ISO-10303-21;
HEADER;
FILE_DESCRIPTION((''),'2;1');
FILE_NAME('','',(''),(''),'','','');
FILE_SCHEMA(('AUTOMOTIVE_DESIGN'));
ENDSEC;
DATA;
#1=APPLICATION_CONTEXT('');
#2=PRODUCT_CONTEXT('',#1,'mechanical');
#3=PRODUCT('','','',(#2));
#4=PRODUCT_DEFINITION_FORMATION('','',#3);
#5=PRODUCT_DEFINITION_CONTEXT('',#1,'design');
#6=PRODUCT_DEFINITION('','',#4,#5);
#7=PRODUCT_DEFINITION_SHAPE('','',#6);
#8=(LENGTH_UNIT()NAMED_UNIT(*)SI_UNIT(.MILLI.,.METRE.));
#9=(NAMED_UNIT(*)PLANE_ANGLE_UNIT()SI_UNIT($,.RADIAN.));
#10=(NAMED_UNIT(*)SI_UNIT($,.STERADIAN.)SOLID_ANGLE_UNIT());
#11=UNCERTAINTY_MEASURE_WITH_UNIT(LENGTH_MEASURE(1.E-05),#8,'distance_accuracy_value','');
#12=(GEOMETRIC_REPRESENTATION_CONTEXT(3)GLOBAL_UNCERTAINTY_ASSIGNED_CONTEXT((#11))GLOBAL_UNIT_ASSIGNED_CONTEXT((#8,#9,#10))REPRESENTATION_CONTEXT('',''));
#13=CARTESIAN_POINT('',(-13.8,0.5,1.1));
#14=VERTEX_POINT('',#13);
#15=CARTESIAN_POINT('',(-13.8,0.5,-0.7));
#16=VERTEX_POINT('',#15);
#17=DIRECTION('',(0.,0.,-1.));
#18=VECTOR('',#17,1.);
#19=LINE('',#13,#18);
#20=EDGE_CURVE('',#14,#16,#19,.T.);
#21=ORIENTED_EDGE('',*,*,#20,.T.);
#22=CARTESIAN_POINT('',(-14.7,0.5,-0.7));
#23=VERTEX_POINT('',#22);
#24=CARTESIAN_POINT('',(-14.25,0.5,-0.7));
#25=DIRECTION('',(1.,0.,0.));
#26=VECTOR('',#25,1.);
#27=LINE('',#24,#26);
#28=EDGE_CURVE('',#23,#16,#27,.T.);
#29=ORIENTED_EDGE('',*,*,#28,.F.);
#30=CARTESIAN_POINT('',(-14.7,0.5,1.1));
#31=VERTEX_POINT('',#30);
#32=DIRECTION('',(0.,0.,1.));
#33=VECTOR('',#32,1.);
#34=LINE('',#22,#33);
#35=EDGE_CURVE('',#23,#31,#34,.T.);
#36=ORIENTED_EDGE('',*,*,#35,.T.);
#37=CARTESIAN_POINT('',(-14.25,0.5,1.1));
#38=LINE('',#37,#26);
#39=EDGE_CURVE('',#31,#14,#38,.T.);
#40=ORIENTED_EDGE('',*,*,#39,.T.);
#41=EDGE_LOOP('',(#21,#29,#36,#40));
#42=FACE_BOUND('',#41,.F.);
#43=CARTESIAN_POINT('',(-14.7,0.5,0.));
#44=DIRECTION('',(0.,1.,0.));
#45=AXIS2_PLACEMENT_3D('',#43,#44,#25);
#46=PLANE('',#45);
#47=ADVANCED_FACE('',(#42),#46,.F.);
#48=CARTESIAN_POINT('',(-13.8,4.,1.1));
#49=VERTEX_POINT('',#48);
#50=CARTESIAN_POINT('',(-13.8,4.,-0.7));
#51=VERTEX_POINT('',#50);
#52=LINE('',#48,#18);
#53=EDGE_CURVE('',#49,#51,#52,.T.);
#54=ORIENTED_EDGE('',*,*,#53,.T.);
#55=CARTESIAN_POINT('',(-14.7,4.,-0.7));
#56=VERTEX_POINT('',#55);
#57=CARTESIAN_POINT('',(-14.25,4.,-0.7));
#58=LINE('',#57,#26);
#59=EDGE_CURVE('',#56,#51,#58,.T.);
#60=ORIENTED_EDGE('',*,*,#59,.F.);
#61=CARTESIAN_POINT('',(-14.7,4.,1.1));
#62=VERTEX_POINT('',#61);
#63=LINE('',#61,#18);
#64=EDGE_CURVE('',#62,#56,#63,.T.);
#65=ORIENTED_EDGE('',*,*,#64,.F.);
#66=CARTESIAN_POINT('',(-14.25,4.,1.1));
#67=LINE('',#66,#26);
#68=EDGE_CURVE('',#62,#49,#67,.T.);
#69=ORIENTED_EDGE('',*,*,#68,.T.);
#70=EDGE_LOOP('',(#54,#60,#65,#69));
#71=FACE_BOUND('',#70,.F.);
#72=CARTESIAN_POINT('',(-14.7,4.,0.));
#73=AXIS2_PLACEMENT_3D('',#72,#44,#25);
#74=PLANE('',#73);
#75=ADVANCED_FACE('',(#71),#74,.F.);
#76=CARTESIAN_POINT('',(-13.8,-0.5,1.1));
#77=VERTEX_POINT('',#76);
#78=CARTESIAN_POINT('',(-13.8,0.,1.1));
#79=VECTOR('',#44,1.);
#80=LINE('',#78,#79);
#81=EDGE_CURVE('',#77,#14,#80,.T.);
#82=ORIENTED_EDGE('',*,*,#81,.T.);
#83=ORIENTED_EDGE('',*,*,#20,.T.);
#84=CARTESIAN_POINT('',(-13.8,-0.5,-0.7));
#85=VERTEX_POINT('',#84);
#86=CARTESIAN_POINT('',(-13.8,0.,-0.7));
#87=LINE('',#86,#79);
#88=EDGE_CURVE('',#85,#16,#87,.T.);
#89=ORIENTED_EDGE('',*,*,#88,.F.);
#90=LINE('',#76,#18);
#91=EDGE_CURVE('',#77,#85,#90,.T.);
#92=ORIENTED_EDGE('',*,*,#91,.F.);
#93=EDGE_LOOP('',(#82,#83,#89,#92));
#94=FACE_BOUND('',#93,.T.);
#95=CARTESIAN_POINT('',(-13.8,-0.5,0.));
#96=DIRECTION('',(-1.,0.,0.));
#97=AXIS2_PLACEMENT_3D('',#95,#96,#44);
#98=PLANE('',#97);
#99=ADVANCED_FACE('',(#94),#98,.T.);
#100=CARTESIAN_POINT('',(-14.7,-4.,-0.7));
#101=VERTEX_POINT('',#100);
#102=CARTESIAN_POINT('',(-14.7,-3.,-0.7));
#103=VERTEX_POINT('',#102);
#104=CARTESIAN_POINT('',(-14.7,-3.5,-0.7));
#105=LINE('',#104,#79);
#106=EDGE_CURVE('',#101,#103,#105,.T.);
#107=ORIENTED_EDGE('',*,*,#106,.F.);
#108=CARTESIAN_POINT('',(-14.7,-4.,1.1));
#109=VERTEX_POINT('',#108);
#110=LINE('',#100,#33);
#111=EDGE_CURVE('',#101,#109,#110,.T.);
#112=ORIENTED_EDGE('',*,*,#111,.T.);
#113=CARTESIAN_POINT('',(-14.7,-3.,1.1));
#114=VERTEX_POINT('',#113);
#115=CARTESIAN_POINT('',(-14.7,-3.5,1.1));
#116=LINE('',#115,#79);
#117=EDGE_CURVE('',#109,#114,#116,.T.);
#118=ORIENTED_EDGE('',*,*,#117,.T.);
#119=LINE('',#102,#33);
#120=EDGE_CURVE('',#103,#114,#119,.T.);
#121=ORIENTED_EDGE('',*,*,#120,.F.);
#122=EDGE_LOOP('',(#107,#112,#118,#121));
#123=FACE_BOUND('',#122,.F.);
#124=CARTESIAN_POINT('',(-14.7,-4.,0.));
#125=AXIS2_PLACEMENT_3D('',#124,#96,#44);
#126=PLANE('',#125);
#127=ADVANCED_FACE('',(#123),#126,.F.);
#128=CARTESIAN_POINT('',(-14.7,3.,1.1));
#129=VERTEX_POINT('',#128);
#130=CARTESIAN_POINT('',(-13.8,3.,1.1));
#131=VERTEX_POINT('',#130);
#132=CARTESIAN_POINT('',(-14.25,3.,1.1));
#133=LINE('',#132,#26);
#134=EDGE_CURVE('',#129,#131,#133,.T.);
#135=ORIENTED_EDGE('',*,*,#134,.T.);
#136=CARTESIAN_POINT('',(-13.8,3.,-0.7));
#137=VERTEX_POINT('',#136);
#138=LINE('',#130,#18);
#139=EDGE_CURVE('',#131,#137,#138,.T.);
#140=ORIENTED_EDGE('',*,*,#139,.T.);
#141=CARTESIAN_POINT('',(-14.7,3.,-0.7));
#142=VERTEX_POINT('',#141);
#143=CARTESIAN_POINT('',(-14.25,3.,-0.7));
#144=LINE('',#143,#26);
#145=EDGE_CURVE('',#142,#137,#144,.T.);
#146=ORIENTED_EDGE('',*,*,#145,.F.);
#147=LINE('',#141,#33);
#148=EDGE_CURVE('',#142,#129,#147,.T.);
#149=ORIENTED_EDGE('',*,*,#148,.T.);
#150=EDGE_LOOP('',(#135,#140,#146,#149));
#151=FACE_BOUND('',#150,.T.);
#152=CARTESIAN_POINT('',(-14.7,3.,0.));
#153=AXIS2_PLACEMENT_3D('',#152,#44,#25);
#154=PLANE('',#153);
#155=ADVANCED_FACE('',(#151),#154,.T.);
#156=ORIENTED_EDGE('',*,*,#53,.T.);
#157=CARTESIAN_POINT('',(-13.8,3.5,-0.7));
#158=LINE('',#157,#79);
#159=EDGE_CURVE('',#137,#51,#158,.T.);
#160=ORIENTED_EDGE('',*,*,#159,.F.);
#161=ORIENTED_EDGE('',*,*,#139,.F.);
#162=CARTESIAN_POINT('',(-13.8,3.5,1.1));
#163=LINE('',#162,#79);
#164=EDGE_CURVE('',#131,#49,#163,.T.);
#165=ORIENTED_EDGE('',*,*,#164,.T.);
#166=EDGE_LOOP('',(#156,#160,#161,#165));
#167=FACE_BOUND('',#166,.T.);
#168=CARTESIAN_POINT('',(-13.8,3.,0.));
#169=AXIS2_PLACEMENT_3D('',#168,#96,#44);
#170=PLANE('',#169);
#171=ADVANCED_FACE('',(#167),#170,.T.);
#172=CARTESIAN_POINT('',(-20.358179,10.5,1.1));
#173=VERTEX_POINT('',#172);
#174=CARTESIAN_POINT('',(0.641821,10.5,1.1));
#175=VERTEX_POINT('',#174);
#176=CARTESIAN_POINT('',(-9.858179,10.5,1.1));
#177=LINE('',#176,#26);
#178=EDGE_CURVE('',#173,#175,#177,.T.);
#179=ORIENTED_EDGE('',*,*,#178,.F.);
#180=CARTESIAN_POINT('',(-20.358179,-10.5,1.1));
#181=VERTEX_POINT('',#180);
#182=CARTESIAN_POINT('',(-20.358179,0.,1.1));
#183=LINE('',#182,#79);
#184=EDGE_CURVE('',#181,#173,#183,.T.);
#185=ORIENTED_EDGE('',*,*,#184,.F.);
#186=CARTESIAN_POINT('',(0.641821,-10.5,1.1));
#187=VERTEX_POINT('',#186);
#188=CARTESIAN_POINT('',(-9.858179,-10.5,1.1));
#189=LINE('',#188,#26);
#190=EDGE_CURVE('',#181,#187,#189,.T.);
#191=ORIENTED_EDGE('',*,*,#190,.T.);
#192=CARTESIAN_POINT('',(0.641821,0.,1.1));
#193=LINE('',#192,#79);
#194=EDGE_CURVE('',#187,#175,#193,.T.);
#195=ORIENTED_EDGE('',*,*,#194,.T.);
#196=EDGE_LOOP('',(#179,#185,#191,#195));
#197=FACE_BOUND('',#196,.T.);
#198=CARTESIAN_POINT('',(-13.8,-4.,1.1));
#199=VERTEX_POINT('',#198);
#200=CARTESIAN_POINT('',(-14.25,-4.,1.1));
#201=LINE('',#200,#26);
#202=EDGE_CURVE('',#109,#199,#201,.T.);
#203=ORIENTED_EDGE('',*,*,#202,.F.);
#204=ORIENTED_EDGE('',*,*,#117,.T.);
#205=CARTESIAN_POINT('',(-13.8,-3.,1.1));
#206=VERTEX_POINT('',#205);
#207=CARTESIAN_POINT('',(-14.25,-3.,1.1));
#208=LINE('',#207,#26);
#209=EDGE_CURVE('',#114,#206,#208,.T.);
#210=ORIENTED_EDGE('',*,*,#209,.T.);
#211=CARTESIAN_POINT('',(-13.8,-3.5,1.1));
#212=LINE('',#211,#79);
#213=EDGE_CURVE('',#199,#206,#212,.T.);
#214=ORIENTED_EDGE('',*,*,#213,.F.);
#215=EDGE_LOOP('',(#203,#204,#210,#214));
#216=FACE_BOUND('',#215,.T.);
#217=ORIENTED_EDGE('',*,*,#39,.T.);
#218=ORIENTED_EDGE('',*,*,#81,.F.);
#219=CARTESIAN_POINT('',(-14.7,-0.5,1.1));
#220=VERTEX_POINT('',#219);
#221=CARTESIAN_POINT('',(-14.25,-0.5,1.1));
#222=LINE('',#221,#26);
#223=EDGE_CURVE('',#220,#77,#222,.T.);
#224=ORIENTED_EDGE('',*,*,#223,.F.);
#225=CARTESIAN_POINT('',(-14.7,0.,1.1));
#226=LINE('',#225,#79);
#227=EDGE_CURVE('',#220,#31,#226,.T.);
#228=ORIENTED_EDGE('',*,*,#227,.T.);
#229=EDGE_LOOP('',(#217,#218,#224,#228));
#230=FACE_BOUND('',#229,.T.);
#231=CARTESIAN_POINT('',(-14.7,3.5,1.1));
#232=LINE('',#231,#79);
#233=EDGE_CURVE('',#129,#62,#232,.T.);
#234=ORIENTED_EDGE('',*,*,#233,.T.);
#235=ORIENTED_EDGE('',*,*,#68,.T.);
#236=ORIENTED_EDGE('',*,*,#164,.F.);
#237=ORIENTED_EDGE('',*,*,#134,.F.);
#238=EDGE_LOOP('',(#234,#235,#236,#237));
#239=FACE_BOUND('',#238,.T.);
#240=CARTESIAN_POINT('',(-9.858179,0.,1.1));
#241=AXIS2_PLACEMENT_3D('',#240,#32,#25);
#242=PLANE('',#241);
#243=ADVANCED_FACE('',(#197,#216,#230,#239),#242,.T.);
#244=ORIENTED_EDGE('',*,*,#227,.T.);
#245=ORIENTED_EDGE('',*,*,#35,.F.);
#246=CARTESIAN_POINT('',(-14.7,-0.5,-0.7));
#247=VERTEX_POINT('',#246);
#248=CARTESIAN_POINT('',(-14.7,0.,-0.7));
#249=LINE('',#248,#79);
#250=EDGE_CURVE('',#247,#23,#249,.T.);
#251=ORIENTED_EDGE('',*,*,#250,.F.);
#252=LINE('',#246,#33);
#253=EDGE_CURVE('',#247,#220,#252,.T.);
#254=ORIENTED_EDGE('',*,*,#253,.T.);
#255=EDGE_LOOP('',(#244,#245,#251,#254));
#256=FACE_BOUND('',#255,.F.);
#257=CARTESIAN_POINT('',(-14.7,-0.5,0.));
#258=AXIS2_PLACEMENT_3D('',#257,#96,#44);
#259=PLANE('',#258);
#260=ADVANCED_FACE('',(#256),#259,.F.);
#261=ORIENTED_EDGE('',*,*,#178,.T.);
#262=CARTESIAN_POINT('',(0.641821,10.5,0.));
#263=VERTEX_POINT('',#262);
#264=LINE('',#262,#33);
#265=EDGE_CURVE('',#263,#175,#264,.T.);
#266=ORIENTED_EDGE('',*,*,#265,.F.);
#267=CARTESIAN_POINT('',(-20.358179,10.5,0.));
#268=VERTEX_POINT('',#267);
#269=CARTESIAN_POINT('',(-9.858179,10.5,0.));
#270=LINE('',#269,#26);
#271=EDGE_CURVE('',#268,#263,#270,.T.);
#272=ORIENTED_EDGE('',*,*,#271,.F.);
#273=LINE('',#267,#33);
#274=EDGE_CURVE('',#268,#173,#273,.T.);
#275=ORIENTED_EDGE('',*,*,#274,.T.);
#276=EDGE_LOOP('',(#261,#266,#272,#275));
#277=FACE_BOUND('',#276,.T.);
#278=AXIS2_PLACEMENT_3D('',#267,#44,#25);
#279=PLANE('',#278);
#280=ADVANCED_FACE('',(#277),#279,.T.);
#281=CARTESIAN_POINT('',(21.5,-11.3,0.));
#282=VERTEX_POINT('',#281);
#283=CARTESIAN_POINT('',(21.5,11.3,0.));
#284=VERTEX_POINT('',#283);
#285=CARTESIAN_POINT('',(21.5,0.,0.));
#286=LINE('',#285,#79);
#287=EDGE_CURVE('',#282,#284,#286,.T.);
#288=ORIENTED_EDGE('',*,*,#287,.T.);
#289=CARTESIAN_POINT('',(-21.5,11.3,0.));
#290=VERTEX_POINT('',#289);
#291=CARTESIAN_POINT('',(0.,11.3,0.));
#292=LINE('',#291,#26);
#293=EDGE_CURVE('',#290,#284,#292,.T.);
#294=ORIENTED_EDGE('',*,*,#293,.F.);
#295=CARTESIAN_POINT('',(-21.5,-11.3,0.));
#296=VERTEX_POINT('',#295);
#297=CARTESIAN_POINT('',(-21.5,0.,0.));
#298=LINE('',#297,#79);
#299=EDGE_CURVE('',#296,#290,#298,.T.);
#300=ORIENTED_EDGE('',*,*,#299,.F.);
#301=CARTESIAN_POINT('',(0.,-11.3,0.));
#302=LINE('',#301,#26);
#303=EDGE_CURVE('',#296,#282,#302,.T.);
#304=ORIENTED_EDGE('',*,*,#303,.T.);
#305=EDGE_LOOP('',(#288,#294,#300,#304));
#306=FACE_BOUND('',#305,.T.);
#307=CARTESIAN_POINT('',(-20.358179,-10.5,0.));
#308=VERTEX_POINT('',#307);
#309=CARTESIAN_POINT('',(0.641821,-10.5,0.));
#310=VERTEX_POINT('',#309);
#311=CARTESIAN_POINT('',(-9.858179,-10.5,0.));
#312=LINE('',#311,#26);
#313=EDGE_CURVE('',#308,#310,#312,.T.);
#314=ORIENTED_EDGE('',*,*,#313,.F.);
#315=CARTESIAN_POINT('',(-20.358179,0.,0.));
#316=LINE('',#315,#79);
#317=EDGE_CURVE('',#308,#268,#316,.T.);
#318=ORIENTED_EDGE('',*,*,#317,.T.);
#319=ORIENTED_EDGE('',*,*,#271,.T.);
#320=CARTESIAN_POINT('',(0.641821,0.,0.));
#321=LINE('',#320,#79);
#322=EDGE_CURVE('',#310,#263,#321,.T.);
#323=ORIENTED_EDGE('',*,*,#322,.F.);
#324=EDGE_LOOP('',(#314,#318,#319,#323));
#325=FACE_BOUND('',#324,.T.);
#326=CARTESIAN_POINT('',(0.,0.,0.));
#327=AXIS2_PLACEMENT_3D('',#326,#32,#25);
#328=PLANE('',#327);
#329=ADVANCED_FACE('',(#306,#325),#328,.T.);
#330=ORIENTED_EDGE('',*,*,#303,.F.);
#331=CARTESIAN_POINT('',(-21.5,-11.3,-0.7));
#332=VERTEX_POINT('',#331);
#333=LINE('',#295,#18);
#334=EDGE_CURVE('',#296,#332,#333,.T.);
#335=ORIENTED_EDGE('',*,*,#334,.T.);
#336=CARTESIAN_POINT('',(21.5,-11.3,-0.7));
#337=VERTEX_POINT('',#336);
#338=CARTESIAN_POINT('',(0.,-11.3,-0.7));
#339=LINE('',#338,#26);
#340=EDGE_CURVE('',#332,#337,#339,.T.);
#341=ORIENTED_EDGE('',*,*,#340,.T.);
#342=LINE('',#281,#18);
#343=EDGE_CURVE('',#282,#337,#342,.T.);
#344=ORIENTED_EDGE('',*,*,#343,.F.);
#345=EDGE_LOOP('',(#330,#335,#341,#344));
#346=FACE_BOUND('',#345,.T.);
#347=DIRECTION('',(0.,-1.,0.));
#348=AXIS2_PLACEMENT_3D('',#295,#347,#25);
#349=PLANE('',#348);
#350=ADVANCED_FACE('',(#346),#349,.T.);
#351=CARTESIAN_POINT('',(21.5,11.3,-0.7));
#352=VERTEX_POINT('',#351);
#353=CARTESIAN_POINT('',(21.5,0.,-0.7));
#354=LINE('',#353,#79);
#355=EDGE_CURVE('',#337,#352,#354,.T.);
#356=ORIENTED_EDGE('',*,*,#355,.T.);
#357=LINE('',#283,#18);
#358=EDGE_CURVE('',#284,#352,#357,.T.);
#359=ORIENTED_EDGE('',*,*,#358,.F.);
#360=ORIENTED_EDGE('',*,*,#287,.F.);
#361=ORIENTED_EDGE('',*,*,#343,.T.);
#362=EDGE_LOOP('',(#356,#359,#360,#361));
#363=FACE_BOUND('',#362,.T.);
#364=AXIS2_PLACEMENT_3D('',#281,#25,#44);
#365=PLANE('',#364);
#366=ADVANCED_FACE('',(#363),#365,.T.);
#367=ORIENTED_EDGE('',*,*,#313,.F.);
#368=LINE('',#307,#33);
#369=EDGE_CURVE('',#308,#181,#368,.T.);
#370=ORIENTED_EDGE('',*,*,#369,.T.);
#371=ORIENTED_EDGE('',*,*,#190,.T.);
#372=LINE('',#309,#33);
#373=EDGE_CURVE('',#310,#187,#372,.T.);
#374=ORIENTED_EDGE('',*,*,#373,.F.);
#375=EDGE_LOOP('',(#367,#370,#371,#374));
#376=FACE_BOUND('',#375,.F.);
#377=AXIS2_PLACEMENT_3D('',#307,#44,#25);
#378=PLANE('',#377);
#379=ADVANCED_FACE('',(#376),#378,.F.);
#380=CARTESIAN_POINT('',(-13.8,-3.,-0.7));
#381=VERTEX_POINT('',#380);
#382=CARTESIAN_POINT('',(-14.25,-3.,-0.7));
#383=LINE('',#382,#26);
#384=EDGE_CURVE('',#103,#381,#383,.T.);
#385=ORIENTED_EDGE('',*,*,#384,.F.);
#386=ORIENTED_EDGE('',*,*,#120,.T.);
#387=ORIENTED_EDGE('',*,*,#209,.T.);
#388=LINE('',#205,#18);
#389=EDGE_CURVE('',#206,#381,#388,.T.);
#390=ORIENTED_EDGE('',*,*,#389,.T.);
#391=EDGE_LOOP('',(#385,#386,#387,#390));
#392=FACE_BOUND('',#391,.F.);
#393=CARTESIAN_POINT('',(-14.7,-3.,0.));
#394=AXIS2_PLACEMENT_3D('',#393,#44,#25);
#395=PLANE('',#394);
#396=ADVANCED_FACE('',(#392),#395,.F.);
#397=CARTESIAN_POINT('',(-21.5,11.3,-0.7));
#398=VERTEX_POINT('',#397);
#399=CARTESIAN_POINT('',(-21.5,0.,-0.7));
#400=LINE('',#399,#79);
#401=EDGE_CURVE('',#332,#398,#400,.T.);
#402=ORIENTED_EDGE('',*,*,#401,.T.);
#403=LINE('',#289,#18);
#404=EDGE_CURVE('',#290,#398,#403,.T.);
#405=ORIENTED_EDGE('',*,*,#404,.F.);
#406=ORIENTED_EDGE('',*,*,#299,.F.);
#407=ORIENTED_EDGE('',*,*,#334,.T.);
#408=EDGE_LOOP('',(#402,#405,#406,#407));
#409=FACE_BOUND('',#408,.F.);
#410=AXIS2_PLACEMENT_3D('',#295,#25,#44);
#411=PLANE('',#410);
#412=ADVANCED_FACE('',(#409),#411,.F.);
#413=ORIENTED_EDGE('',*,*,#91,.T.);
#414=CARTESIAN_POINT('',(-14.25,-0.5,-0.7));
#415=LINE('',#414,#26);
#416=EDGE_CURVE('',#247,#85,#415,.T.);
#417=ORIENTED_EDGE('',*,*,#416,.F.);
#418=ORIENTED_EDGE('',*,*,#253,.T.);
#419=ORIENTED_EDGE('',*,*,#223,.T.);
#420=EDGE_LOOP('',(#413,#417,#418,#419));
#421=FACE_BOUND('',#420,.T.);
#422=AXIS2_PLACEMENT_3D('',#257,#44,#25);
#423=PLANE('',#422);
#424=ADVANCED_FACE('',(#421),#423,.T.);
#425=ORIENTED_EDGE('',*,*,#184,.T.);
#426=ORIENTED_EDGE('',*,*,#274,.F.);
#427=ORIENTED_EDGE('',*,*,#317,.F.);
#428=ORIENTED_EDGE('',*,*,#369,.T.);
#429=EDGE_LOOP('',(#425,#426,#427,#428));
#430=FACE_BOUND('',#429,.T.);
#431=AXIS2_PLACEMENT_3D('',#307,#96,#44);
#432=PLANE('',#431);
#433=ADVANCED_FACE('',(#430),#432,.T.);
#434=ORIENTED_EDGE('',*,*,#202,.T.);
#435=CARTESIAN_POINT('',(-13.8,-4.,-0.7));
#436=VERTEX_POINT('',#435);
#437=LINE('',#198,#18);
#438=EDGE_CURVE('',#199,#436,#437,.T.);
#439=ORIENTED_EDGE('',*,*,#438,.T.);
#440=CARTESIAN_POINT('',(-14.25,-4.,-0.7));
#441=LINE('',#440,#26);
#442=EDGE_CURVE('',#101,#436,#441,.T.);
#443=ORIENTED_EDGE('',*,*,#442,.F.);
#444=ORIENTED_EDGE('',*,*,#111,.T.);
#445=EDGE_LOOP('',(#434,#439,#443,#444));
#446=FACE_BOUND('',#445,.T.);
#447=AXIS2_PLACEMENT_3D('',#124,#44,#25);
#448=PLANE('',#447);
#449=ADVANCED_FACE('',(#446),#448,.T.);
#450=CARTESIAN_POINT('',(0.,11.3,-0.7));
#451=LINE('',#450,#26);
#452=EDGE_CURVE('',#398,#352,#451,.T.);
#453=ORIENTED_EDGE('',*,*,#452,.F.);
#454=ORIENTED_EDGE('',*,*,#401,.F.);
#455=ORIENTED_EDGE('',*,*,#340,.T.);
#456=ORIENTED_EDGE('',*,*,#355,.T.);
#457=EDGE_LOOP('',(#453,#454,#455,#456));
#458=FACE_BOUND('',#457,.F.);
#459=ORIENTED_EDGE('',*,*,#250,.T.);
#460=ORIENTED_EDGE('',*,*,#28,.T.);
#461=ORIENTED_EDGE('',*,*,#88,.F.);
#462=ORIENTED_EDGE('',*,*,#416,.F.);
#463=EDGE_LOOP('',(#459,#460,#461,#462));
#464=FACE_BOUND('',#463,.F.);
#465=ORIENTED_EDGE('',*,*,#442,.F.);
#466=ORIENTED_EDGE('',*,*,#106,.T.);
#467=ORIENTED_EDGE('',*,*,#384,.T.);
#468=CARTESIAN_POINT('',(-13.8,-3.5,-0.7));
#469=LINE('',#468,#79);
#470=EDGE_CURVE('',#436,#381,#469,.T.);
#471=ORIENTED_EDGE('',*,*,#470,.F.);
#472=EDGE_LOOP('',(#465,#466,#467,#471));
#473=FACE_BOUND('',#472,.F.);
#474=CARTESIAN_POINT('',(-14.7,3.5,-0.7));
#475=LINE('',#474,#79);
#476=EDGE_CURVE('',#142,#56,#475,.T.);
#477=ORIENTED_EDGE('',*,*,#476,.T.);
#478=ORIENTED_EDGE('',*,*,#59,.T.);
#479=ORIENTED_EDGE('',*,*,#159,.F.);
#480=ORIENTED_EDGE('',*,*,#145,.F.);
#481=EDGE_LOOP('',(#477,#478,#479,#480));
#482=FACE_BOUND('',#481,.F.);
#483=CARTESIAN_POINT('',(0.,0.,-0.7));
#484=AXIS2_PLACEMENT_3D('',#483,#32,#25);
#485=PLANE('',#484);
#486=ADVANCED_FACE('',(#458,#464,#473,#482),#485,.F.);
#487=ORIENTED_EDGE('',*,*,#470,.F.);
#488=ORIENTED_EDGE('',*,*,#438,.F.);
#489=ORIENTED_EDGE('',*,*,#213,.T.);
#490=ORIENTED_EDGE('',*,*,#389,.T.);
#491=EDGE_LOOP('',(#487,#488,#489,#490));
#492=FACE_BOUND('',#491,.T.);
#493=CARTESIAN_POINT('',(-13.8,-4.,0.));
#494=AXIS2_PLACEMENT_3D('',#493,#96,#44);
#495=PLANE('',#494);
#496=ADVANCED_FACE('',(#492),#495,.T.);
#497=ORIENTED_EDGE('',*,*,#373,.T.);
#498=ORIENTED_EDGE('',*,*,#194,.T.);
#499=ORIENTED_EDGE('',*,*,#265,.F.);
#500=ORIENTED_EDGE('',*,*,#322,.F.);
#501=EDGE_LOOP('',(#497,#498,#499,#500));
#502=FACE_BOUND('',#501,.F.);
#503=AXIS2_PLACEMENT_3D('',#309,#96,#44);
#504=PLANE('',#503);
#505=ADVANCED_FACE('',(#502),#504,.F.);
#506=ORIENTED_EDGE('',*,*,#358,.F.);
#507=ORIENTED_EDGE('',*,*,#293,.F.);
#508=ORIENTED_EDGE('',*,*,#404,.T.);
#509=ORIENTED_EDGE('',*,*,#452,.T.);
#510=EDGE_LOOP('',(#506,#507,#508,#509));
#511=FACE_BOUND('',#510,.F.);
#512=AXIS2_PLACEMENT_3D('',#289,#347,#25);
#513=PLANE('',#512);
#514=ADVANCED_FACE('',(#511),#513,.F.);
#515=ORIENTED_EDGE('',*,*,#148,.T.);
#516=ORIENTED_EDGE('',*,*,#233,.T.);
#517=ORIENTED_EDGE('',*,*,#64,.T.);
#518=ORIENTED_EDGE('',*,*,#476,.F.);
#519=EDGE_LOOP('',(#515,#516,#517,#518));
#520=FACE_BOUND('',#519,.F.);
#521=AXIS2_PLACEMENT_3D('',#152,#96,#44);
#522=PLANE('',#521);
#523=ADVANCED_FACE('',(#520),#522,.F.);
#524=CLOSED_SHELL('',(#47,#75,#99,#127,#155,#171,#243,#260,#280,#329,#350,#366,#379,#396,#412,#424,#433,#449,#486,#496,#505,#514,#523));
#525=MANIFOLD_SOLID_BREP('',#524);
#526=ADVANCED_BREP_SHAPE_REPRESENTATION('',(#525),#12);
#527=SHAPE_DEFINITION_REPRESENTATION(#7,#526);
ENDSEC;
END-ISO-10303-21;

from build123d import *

# Parameters (mm, degrees)
F0_W     = 43
F0_H     = 22.6
F0_W_2   = 0.9
F0_H_2   = 1
F1_DEPTH = 0.7
F2_W     = 21
F2_H     = 21
F2_W_2   = 0.9
F2_H_2   = 1
F3_DEPTH = 1.1


with BuildPart() as f1:
    # F0 (on Top) → F1 (new body)
    with BuildSketch(Plane.XY):
        Rectangle(F0_W, F0_H)
        with Locations((-14.25, -3.5)):
            Rectangle(F0_W_2, F0_H_2, mode=Mode.SUBTRACT)
        with Locations((-14.25, 0)):
            Rectangle(F0_W_2, F0_H_2, mode=Mode.SUBTRACT)
        with Locations((-14.25, 3.5)):
            Rectangle(F0_W_2, F0_H_2, mode=Mode.SUBTRACT)
    extrude(amount=-F1_DEPTH)

    # F2 (on face) → F3 (join)
    with BuildSketch(Plane.XY):
        with Locations((-9.858179, 0)):
            Rectangle(F2_W, F2_H)
        with Locations((-14.25, -3.5)):
            Rectangle(F2_W_2, F2_H_2, mode=Mode.SUBTRACT)
        with Locations((-14.25, 0)):
            Rectangle(F2_W_2, F2_H_2, mode=Mode.SUBTRACT)
        with Locations((-14.25, 3.5)):
            Rectangle(F2_W_2, F2_H_2, mode=Mode.SUBTRACT)
    extrude(amount=F3_DEPTH)


solid = f1.part
